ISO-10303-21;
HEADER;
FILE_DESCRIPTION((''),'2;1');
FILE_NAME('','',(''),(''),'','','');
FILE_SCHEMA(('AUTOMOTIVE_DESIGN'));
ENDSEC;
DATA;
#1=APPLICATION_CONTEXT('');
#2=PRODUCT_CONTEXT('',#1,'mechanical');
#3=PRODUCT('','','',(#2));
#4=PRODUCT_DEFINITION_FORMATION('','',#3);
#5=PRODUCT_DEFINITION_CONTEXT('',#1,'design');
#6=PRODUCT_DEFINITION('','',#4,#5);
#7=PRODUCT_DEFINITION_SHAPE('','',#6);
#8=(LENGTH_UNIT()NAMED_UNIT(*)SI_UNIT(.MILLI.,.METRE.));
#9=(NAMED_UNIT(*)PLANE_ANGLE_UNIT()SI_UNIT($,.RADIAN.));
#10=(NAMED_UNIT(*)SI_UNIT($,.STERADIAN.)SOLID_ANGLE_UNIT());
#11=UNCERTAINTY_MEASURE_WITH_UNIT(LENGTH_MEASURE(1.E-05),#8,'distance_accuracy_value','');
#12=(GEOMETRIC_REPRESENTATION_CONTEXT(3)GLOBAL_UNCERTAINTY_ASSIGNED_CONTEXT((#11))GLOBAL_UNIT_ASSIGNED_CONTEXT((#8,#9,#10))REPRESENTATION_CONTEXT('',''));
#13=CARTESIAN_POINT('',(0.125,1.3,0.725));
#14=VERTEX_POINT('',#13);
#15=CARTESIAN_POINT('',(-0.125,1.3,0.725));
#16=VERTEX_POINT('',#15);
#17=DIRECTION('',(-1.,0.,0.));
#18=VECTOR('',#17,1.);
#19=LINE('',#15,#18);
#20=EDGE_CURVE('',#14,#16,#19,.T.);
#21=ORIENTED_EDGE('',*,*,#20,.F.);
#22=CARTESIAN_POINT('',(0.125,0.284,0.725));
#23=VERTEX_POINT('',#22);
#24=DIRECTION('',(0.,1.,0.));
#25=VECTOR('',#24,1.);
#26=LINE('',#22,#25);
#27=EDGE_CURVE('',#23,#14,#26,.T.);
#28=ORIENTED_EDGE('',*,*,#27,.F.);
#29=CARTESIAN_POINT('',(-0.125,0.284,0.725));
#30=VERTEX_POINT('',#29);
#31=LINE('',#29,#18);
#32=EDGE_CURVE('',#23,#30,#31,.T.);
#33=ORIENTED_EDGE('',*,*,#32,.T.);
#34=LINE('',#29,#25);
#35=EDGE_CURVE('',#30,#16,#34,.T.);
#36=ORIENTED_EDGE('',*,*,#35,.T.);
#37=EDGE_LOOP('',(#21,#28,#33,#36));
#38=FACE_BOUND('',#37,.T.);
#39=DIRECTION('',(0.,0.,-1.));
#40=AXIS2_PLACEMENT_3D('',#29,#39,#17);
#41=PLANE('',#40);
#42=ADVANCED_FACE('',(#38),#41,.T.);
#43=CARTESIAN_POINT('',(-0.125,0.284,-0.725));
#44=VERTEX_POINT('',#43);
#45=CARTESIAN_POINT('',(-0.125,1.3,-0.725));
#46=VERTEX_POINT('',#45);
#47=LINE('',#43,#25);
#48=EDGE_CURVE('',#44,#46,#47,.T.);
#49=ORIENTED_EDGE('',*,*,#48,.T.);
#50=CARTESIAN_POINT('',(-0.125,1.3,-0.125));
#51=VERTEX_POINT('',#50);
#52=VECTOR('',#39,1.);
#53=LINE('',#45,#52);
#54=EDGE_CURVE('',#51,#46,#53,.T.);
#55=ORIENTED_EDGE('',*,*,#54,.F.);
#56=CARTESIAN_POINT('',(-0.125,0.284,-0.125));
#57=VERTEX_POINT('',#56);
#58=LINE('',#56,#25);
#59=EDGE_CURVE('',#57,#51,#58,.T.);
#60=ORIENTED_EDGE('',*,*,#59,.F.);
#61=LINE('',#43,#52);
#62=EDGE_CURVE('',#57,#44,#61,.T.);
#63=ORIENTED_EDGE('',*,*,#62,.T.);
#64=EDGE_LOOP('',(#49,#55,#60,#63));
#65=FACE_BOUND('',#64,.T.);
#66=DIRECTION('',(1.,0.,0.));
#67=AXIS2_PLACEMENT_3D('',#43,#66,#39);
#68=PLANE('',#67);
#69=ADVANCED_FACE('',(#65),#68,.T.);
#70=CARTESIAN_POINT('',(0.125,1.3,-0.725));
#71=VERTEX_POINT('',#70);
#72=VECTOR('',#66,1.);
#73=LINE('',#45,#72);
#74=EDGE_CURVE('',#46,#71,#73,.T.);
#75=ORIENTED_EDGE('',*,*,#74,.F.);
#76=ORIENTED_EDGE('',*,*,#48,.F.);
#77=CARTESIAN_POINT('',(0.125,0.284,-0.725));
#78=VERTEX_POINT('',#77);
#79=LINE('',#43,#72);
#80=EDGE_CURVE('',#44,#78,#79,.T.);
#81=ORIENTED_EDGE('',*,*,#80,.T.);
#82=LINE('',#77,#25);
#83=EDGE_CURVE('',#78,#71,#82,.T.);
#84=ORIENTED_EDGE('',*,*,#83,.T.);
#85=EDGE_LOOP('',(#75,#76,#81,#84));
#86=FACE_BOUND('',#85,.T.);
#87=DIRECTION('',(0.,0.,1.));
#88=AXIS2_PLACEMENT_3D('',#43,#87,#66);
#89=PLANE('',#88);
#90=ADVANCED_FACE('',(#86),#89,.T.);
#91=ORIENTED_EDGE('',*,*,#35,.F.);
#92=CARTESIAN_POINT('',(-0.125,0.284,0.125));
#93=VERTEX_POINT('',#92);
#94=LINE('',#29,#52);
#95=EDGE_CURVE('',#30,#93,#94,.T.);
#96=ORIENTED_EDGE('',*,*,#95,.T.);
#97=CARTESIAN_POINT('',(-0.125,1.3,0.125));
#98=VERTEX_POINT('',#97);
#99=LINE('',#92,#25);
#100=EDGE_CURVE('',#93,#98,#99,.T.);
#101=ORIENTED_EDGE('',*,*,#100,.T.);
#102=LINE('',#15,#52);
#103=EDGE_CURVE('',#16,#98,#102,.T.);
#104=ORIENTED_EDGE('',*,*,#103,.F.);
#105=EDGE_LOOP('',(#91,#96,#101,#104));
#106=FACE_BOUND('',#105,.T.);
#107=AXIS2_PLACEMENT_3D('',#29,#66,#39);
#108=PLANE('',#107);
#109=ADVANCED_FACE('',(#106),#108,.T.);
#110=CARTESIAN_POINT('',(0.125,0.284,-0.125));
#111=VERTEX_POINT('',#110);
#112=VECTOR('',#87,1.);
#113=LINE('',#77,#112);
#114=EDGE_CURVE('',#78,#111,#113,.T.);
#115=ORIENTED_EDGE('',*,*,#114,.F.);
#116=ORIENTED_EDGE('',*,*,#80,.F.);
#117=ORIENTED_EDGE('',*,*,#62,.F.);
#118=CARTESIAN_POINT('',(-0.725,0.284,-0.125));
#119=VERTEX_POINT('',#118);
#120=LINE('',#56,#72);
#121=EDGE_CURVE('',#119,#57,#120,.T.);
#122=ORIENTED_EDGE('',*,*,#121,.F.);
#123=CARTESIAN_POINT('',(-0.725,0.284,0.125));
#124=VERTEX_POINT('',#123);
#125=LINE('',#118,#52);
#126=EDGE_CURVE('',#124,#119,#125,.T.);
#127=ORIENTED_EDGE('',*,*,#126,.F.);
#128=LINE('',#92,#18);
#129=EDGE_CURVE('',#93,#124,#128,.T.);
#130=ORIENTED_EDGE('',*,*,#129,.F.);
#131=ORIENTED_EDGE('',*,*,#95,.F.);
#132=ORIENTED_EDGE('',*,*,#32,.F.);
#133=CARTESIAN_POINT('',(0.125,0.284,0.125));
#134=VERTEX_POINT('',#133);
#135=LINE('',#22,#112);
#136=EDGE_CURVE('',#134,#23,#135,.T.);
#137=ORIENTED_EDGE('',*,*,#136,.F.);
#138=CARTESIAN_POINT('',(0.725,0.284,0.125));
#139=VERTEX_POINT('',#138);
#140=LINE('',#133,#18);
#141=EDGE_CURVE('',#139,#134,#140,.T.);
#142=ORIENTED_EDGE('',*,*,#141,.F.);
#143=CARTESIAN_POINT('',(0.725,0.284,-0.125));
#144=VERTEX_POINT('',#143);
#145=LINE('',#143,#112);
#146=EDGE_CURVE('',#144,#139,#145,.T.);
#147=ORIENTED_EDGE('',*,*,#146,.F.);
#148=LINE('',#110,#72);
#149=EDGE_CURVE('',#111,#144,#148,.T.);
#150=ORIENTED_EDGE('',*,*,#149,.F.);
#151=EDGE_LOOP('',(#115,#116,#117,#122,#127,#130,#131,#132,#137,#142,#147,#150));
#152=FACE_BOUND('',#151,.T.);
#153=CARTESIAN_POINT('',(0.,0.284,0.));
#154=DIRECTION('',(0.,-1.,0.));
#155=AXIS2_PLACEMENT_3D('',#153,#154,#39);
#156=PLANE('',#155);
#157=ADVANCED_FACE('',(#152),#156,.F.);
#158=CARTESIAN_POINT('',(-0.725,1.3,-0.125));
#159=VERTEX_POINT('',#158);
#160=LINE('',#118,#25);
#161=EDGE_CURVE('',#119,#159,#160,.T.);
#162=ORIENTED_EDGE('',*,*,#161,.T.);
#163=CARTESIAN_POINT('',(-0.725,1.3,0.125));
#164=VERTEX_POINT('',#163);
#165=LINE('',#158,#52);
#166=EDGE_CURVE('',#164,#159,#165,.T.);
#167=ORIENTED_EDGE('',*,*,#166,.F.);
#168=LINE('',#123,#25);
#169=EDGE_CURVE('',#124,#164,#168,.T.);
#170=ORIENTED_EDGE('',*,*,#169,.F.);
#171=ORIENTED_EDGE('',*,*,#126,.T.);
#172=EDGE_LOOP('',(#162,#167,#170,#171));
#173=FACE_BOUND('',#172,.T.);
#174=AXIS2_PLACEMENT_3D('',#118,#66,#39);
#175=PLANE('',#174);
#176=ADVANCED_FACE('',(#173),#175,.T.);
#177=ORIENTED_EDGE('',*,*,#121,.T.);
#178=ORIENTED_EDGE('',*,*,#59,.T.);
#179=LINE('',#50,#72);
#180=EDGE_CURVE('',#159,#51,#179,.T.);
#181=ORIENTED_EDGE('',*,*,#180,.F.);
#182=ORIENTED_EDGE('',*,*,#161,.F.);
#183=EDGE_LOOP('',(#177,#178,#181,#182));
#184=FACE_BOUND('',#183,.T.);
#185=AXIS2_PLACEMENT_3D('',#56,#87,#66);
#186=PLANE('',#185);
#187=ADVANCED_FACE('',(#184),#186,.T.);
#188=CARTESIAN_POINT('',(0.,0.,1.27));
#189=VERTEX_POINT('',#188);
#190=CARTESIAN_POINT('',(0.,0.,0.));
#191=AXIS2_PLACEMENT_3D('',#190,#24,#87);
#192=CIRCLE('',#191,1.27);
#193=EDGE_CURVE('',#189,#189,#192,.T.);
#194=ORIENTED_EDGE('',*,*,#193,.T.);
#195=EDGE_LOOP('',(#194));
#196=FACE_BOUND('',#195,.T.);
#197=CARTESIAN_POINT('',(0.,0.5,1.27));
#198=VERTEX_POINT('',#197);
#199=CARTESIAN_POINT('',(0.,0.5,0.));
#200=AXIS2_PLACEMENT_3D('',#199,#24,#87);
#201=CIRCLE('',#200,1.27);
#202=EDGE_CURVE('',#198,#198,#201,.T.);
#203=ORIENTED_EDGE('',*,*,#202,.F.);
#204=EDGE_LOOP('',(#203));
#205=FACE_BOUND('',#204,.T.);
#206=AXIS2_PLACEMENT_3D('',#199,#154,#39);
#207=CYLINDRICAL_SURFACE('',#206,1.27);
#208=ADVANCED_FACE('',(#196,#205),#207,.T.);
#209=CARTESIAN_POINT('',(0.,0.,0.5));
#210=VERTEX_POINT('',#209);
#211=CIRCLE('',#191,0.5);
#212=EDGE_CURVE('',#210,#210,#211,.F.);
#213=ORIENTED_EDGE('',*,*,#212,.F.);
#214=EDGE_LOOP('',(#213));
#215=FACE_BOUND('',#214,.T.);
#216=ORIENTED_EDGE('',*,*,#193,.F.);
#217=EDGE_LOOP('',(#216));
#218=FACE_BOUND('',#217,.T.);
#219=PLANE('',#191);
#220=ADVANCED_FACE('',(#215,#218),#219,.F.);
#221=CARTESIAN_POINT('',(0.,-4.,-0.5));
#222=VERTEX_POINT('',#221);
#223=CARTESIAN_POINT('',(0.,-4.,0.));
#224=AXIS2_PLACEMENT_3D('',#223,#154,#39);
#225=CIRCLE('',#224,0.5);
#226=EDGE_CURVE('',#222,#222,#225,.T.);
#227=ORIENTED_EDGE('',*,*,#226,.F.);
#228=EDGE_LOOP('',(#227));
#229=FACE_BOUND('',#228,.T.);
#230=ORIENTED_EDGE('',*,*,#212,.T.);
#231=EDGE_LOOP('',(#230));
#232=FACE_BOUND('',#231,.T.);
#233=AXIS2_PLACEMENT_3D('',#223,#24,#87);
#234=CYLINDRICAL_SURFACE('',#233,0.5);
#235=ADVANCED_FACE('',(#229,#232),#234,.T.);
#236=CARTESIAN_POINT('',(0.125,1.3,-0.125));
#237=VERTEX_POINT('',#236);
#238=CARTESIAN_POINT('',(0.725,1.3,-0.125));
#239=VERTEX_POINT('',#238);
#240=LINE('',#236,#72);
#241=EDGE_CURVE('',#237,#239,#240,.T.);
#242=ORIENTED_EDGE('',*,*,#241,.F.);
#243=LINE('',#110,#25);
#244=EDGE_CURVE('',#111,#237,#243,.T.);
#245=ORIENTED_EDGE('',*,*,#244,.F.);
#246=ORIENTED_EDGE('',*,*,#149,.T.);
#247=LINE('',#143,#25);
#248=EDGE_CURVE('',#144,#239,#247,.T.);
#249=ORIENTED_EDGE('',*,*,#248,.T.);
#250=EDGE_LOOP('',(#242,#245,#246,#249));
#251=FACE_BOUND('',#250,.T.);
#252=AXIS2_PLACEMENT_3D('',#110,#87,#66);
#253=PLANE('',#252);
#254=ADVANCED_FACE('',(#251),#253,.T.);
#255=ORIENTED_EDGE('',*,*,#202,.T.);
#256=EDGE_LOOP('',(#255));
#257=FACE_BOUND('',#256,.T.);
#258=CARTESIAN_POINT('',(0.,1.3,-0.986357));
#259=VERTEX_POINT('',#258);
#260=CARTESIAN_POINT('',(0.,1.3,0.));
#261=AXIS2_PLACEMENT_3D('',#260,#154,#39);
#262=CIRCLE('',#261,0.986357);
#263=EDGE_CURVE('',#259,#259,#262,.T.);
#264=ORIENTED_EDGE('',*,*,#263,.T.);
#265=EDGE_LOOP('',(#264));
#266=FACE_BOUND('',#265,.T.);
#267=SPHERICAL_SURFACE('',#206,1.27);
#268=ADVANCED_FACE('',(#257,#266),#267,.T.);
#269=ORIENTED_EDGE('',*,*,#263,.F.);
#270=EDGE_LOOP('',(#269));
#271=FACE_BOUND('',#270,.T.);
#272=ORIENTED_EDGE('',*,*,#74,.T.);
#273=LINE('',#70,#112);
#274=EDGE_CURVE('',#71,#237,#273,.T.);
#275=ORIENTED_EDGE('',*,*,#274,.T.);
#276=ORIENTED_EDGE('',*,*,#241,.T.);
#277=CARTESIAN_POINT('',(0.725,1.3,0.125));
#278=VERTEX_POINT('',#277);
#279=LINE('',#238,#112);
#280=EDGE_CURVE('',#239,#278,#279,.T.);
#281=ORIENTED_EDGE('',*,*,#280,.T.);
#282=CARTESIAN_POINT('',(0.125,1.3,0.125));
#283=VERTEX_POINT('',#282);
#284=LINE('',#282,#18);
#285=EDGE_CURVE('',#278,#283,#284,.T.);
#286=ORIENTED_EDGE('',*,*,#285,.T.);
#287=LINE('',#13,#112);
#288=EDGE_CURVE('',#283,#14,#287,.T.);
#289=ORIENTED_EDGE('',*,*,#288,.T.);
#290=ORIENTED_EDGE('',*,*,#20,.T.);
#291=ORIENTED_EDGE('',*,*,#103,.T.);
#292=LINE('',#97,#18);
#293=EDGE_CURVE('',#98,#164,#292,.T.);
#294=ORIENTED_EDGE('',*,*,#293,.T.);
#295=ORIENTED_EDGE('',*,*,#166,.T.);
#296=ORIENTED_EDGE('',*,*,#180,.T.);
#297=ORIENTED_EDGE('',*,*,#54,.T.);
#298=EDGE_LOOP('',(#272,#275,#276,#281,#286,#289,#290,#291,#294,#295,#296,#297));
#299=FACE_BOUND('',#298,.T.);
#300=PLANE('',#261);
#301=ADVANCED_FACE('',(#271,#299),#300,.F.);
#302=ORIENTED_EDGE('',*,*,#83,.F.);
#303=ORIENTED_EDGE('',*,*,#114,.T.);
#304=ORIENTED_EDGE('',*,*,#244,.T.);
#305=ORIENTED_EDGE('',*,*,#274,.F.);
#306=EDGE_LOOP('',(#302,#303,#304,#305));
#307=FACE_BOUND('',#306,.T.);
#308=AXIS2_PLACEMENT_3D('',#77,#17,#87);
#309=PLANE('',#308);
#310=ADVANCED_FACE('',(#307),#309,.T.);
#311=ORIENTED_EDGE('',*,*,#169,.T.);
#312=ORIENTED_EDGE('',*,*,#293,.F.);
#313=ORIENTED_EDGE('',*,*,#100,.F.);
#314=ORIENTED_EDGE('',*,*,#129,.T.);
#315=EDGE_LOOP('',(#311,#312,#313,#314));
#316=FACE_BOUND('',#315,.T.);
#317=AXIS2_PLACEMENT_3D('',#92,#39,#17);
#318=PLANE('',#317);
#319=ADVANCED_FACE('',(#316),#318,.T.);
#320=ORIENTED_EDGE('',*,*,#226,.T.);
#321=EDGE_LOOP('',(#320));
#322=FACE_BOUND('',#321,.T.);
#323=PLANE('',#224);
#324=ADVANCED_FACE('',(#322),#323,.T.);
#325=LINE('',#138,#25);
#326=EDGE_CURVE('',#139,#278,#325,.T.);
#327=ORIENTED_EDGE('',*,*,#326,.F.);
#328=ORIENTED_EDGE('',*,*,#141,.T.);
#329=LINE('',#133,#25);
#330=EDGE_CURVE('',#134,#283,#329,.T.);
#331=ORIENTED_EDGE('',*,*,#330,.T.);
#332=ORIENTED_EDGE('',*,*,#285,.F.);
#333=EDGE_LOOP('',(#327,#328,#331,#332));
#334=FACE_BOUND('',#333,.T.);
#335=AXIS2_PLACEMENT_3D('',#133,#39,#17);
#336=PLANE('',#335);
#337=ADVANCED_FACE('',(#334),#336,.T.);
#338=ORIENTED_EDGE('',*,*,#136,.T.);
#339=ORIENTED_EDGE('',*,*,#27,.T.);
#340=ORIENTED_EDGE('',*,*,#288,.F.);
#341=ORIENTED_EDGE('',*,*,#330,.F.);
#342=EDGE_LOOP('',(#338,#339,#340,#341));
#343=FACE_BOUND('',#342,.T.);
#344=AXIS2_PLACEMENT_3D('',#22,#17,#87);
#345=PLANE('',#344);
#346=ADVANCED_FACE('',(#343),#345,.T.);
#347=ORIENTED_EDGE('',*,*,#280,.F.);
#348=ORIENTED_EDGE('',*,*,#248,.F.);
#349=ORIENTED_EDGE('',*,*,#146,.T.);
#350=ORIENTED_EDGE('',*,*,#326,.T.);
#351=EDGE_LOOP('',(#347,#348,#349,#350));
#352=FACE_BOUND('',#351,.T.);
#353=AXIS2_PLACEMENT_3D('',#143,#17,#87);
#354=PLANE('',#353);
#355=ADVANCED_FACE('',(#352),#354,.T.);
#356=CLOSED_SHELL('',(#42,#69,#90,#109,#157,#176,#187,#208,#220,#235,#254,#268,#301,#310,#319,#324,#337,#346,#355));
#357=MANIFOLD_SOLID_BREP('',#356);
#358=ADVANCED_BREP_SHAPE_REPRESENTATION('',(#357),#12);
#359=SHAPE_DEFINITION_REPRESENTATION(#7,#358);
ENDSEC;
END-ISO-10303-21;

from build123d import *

# Parameters (mm, degrees)
SKETCH1_R           = 1.27
BOSS_EXTRUDE1_DEPTH = 0.5
REVOLVE1_ANGLE      = 180
SKETCH3_R           = 2.5
CUT_EXTRUDE2_DEPTH  = 1.016
CUT_EXTRUDE3_DEPTH  = 1.016
SKETCH6_R           = 0.5
BOSS_EXTRUDE2_DEPTH = 4


with BuildPart() as part:
    # Sketch1 → Boss-Extrude1 (new body)
    with BuildSketch(Plane(origin=(0, 0, 0), x_dir=(1, 0, 0), z_dir=(0, 1, 0))):
        with Locations(Location((0, 0, 0), (0, 0, 270))):
            Circle(SKETCH1_R)
    extrude(amount=BOSS_EXTRUDE1_DEPTH)

    # Sketch2 → Revolve1 (revolve)
    with BuildSketch(Plane(origin=(0, 0.5, 0), x_dir=(1, 0, 0), z_dir=(0, 1, 0))):
        with BuildLine():
            Line((0, 1.27), (0, -1.27))
            ThreePointArc((0, -1.27), (-1.27, 0), (0, 1.27))
        make_face()
    revolve(axis=Axis((0, 0.5, -1.27), (0, 0, -1)), revolution_arc=REVOLVE1_ANGLE)

    # Sketch3 → Cut-Extrude2 (cut)
    with BuildSketch(Plane(origin=(0, 1.3, 0), x_dir=(-1, 0, 0), z_dir=(0, -1, 0))):
        Circle(SKETCH3_R)
    extrude(amount=-CUT_EXTRUDE2_DEPTH, mode=Mode.SUBTRACT)

    # Sketch5 → Cut-Extrude3 (cut)
    with BuildSketch(Plane(origin=(0, 1.3, 0), x_dir=(-1, 0, 0), z_dir=(0, -1, 0))):
        Polygon((0.125, 0.725), (0.125, 0.125), (0.725, 0.125), (0.725, -0.125), (0.125, -0.125), (0.125, -0.725), (-0.125, -0.725), (-0.125, -0.125), (-0.725, -0.125), (-0.725, 0.125), (-0.125, 0.125), (-0.125, 0.725), align=None)
    extrude(amount=CUT_EXTRUDE3_DEPTH, mode=Mode.SUBTRACT)

    # Sketch6 → Boss-Extrude2 (add)
    with BuildSketch(Plane(origin=(0, 0, 0), x_dir=(-1, 0, 0), z_dir=(0, -1, 0))):
        with Locations(Location((0, 0, 0), (0, 0, 270))):
            Circle(SKETCH6_R)
    extrude(amount=BOSS_EXTRUDE2_DEPTH)


solid = part.part
